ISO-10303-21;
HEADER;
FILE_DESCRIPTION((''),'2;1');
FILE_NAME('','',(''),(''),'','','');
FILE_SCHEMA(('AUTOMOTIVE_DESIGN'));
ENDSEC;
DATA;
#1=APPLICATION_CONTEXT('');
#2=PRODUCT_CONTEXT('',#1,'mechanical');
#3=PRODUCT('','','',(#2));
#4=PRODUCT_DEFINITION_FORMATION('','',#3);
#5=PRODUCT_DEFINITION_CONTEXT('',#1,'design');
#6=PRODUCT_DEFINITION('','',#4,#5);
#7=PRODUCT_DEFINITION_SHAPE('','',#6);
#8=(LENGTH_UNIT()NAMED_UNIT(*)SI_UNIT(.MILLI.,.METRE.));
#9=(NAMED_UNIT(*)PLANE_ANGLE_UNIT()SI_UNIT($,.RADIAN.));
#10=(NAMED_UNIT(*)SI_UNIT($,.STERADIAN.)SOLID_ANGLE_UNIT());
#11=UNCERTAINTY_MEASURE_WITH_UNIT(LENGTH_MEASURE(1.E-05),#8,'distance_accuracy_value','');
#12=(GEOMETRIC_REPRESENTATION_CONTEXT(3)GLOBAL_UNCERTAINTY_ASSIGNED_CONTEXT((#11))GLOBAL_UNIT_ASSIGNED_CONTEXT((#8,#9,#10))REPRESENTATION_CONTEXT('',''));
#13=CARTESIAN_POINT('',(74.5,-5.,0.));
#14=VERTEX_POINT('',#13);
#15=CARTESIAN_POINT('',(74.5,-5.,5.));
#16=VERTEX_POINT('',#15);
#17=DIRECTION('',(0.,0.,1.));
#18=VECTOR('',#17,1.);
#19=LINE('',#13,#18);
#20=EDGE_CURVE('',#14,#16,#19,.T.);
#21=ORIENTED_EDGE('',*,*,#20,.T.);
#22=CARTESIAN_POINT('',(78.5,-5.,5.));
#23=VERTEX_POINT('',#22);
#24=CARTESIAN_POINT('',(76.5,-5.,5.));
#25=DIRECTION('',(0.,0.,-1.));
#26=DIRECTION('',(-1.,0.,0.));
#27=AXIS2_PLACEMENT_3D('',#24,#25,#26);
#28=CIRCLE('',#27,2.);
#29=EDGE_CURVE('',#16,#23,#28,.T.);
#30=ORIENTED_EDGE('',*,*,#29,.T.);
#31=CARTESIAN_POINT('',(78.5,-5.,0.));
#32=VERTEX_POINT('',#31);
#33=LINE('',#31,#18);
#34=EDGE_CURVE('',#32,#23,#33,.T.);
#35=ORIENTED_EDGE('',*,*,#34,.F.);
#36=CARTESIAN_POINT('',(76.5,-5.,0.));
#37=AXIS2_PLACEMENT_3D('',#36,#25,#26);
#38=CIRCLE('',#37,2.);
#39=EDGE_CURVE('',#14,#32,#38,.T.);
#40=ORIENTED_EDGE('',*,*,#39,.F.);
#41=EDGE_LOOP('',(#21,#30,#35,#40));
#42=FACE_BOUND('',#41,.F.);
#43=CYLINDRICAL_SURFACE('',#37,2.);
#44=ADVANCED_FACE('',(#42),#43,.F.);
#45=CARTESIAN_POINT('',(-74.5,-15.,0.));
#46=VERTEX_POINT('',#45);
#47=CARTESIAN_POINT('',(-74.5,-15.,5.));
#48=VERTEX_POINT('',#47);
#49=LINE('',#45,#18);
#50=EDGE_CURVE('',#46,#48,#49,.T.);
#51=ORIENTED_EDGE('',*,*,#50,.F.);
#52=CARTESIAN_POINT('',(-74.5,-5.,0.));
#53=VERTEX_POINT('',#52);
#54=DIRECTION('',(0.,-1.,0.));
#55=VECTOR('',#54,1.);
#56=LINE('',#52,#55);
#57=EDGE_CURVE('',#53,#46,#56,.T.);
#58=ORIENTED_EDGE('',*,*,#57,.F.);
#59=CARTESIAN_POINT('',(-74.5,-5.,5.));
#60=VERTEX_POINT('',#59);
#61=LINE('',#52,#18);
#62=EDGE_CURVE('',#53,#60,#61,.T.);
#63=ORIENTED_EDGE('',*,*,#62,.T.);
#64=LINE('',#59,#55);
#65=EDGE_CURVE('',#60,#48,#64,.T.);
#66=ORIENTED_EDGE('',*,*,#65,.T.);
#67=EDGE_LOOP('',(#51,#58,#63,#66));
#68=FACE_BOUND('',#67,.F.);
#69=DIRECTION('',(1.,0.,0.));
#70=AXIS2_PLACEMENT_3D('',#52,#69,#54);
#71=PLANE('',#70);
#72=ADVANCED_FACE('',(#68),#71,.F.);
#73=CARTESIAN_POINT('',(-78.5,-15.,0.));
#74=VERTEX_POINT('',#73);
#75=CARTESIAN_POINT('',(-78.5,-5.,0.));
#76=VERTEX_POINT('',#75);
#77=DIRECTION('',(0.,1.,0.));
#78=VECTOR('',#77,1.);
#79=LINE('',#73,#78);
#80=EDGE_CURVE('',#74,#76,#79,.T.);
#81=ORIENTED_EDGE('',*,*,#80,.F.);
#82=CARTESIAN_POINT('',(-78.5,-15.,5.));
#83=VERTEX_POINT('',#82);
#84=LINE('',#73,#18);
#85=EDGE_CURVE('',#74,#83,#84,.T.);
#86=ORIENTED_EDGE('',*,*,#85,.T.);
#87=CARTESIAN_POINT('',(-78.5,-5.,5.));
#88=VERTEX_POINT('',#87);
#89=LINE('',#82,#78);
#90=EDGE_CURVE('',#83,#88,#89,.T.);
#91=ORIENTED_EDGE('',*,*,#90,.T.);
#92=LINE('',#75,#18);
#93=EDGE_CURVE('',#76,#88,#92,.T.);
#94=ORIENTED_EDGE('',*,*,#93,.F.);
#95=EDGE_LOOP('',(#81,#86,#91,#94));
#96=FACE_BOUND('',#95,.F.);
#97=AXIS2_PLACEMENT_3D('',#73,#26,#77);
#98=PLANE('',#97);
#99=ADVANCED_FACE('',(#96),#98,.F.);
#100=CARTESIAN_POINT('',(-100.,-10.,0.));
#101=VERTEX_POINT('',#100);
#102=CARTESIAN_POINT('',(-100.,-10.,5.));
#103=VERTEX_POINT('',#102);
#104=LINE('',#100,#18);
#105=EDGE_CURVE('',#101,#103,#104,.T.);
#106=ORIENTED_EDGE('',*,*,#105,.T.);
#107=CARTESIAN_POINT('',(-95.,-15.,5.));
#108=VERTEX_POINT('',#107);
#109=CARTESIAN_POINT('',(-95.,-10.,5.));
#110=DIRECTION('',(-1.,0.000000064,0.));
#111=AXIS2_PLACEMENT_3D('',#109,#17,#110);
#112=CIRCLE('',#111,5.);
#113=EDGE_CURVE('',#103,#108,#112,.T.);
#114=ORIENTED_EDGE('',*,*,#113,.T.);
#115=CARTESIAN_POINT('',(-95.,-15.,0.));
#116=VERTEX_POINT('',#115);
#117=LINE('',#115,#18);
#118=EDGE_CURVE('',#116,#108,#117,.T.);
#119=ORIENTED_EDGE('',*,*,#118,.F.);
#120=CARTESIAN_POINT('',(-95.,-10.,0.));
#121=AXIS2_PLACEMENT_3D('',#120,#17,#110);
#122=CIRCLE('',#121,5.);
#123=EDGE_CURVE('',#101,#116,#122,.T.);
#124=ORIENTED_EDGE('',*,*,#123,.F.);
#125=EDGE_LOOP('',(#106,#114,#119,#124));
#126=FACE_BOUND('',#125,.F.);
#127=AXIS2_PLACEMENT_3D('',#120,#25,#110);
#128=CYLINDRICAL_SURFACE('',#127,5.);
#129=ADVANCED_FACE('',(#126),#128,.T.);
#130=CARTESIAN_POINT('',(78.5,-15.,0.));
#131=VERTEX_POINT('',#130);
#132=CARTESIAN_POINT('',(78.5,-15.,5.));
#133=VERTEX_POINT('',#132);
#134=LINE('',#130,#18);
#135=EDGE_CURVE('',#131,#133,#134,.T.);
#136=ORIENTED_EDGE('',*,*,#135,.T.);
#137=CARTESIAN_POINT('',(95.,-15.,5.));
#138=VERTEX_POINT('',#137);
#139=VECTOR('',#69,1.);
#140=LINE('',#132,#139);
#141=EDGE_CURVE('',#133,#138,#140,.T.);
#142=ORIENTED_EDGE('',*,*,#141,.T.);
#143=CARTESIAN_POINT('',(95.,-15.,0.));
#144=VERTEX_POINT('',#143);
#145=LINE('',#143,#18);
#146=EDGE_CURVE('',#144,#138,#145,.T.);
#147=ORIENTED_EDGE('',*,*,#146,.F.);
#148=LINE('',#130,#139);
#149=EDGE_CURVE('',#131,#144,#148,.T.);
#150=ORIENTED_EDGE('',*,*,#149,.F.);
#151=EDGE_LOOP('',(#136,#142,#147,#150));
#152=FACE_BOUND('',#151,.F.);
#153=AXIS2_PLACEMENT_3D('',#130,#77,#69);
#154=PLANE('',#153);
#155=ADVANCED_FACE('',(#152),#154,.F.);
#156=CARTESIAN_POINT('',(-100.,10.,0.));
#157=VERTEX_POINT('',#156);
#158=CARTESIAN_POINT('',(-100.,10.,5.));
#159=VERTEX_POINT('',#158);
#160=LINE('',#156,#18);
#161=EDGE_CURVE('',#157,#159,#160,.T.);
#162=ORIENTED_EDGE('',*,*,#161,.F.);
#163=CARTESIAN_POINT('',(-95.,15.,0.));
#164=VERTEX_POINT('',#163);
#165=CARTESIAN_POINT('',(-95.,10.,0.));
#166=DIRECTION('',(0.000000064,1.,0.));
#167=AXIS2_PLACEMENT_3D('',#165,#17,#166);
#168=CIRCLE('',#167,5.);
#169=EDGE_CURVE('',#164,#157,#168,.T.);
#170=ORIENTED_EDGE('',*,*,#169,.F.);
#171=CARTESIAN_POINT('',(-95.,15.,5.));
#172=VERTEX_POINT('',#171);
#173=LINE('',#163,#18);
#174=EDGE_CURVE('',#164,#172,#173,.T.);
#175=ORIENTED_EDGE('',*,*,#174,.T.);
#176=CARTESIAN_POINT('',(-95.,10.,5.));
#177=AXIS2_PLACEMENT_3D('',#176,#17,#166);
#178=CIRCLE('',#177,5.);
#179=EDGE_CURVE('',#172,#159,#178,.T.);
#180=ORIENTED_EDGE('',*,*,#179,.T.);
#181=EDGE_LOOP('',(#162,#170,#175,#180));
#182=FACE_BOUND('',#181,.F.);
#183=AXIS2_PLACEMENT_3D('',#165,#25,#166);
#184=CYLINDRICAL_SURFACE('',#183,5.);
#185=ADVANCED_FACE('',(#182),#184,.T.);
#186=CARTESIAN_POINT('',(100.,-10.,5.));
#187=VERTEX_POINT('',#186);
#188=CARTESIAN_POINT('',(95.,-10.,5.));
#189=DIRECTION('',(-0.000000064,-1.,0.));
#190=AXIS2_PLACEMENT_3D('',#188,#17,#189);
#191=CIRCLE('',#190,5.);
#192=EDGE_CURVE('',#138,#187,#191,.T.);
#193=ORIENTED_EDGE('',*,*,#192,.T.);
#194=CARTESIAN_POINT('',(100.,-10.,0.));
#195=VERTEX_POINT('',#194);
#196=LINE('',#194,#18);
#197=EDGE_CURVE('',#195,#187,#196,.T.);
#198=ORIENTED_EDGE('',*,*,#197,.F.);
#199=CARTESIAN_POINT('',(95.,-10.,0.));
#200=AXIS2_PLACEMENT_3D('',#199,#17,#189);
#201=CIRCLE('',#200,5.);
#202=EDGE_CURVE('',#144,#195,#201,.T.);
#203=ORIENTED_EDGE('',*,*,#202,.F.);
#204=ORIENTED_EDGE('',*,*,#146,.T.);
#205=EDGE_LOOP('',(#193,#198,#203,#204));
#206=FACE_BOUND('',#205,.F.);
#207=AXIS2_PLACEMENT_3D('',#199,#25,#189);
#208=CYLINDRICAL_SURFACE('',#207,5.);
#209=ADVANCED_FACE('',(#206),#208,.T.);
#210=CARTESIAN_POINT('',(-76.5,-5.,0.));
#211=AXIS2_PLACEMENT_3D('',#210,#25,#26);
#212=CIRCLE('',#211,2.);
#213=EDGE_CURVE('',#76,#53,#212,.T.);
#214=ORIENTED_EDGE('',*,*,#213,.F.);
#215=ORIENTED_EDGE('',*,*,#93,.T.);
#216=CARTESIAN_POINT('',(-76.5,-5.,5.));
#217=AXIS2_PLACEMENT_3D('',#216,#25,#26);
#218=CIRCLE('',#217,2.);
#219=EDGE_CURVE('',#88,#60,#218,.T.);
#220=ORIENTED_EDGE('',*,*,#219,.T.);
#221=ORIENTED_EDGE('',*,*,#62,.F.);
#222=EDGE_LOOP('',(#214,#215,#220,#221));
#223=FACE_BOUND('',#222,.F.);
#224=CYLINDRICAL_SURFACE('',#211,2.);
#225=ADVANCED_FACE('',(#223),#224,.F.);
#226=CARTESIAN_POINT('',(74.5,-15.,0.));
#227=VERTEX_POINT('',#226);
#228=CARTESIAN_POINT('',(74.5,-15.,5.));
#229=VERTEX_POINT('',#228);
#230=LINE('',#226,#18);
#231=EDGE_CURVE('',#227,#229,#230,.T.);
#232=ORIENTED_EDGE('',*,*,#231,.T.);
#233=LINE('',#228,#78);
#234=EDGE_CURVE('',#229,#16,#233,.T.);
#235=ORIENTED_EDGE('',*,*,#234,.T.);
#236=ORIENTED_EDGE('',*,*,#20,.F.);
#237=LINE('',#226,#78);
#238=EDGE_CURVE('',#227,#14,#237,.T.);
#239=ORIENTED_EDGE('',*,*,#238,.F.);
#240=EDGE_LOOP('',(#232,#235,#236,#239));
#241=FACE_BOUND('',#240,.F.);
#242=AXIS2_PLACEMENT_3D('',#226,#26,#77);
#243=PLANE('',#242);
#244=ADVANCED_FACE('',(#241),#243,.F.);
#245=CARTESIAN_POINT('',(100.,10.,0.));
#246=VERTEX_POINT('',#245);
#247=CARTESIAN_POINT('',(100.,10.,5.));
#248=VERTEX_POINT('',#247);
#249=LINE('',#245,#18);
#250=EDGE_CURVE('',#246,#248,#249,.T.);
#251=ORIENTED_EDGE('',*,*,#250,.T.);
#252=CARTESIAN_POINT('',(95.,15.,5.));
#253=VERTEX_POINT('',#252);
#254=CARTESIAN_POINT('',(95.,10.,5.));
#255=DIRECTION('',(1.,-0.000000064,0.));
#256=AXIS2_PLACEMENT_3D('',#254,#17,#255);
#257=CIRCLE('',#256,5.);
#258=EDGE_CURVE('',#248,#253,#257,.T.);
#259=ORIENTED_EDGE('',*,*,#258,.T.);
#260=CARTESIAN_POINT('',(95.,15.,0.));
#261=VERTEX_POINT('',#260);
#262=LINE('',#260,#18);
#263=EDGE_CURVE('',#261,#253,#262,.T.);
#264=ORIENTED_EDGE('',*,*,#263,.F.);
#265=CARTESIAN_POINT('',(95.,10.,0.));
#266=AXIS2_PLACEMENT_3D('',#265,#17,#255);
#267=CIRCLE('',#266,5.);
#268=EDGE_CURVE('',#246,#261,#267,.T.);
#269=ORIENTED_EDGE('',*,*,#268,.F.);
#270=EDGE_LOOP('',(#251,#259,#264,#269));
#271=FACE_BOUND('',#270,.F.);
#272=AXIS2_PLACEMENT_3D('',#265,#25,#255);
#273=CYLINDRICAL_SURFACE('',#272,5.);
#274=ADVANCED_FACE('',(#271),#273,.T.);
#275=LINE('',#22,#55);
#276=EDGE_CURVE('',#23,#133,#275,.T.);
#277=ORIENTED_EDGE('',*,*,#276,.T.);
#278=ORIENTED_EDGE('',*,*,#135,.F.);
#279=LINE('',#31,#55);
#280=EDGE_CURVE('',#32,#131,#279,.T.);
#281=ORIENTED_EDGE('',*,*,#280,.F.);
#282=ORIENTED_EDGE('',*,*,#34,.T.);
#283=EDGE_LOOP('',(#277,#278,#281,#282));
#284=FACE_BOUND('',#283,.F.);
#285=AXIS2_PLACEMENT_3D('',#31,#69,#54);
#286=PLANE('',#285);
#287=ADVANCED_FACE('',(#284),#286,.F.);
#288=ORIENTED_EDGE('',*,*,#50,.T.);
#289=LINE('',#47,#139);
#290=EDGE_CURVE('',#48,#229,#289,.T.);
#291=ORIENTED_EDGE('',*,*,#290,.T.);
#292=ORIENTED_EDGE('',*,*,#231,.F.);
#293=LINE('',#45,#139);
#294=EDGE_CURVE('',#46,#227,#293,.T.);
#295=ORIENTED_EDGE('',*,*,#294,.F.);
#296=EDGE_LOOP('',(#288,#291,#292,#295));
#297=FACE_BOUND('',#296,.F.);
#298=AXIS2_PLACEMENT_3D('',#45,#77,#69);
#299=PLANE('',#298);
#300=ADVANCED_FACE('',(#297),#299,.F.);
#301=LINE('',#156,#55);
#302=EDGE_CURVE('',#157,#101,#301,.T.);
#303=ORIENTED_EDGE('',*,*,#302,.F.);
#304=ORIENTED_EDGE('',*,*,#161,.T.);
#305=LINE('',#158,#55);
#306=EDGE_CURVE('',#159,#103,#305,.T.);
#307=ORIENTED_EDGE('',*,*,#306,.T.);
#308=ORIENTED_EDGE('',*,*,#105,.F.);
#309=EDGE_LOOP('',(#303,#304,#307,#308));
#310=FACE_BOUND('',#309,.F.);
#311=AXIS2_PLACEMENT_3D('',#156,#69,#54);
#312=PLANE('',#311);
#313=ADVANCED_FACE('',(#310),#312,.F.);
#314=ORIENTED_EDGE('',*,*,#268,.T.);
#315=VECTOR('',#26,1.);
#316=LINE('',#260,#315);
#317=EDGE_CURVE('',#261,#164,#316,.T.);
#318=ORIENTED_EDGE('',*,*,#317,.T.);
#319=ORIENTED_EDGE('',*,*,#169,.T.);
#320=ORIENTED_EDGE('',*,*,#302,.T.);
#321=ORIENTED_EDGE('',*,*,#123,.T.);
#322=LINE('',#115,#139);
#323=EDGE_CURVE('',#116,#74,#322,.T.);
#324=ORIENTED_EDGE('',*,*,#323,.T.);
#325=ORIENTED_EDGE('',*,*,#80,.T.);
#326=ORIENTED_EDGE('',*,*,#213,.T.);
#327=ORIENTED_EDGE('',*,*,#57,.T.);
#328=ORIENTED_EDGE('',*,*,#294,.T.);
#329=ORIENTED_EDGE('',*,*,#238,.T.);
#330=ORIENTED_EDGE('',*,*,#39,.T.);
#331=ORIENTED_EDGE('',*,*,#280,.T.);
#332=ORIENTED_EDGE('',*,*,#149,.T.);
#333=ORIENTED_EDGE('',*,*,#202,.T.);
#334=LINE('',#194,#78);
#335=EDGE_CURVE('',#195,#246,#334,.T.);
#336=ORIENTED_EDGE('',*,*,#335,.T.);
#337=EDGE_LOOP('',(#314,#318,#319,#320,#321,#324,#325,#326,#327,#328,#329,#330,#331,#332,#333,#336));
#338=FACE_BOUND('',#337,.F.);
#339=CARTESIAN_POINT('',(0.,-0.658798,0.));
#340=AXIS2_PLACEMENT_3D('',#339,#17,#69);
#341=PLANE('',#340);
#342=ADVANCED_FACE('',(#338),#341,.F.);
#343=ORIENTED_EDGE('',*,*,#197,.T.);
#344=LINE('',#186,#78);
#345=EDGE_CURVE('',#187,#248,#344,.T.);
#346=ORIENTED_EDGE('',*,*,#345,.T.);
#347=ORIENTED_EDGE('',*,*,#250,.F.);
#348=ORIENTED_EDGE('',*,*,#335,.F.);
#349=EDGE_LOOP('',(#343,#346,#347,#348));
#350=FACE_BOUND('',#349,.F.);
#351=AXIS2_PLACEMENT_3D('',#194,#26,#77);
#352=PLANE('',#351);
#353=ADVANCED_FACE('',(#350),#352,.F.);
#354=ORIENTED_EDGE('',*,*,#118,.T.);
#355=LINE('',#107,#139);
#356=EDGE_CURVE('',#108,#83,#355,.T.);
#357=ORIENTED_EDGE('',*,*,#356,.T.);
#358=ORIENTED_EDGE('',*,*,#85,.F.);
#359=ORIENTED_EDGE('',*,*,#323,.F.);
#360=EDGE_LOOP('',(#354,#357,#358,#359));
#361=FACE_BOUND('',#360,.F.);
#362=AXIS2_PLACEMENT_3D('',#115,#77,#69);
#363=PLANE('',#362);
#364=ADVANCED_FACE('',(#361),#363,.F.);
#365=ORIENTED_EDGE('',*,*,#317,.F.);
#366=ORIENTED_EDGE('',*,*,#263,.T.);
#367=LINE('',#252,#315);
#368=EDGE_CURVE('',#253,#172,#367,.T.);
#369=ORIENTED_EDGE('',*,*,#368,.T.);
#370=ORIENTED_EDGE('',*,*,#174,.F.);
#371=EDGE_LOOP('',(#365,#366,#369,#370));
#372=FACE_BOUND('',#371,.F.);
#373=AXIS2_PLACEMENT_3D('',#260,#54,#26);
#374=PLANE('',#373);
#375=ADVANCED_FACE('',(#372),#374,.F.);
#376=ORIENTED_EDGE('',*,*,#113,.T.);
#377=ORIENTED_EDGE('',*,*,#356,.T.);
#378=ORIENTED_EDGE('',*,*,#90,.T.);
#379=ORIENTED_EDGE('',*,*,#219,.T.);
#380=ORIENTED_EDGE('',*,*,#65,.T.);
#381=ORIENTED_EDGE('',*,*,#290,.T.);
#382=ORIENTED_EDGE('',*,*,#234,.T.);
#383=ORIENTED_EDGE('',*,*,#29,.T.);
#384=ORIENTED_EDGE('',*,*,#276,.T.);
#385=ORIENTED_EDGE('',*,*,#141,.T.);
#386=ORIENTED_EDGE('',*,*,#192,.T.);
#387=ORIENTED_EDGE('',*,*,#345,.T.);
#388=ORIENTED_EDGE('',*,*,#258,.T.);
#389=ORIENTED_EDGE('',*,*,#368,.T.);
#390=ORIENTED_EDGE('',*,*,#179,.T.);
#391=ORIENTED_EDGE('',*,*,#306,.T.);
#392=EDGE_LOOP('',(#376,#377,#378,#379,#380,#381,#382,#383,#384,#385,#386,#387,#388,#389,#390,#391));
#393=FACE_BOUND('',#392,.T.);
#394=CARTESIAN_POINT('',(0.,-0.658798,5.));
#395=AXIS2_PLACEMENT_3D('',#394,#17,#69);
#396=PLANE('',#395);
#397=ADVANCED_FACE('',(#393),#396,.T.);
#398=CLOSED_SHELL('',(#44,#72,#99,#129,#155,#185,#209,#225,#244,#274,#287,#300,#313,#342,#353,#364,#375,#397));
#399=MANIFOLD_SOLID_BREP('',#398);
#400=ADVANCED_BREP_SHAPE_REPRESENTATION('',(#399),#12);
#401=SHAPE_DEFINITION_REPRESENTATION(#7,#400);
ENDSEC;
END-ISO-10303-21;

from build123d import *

# Parameters (mm, degrees)
F1_DEPTH = 5


with BuildPart() as f1:
    # F0 (on Top) → F1 (new body)
    with BuildSketch(Plane.XY):
        with BuildLine():
            Line((95, 15), (-95, 15))
            ThreePointArc((-95, 15), (-98.535534, 13.535534), (-100, 10))
            Line((-100, 10), (-100, -10))
            ThreePointArc((-100, -10), (-98.535534, -13.535534), (-95, -15))
            Line((-95, -15), (-78.5, -15))
            Line((-78.5, -15), (-78.5, -5))
            ThreePointArc((-78.5, -5), (-76.5, -3), (-74.5, -5))
            Line((-74.5, -5), (-74.5, -15))
            Line((-74.5, -15), (74.5, -15))
            Line((74.5, -15), (74.5, -5))
            ThreePointArc((74.5, -5), (76.5, -3), (78.5, -5))
            Line((78.5, -5), (78.5, -15))
            Line((78.5, -15), (95, -15))
            ThreePointArc((95, -15), (98.535534, -13.535534), (100, -10))
            Line((100, -10), (100, 10))
            ThreePointArc((100, 10), (98.535534, 13.535534), (95, 15))
        make_face()
    extrude(amount=F1_DEPTH)


solid = f1.part
